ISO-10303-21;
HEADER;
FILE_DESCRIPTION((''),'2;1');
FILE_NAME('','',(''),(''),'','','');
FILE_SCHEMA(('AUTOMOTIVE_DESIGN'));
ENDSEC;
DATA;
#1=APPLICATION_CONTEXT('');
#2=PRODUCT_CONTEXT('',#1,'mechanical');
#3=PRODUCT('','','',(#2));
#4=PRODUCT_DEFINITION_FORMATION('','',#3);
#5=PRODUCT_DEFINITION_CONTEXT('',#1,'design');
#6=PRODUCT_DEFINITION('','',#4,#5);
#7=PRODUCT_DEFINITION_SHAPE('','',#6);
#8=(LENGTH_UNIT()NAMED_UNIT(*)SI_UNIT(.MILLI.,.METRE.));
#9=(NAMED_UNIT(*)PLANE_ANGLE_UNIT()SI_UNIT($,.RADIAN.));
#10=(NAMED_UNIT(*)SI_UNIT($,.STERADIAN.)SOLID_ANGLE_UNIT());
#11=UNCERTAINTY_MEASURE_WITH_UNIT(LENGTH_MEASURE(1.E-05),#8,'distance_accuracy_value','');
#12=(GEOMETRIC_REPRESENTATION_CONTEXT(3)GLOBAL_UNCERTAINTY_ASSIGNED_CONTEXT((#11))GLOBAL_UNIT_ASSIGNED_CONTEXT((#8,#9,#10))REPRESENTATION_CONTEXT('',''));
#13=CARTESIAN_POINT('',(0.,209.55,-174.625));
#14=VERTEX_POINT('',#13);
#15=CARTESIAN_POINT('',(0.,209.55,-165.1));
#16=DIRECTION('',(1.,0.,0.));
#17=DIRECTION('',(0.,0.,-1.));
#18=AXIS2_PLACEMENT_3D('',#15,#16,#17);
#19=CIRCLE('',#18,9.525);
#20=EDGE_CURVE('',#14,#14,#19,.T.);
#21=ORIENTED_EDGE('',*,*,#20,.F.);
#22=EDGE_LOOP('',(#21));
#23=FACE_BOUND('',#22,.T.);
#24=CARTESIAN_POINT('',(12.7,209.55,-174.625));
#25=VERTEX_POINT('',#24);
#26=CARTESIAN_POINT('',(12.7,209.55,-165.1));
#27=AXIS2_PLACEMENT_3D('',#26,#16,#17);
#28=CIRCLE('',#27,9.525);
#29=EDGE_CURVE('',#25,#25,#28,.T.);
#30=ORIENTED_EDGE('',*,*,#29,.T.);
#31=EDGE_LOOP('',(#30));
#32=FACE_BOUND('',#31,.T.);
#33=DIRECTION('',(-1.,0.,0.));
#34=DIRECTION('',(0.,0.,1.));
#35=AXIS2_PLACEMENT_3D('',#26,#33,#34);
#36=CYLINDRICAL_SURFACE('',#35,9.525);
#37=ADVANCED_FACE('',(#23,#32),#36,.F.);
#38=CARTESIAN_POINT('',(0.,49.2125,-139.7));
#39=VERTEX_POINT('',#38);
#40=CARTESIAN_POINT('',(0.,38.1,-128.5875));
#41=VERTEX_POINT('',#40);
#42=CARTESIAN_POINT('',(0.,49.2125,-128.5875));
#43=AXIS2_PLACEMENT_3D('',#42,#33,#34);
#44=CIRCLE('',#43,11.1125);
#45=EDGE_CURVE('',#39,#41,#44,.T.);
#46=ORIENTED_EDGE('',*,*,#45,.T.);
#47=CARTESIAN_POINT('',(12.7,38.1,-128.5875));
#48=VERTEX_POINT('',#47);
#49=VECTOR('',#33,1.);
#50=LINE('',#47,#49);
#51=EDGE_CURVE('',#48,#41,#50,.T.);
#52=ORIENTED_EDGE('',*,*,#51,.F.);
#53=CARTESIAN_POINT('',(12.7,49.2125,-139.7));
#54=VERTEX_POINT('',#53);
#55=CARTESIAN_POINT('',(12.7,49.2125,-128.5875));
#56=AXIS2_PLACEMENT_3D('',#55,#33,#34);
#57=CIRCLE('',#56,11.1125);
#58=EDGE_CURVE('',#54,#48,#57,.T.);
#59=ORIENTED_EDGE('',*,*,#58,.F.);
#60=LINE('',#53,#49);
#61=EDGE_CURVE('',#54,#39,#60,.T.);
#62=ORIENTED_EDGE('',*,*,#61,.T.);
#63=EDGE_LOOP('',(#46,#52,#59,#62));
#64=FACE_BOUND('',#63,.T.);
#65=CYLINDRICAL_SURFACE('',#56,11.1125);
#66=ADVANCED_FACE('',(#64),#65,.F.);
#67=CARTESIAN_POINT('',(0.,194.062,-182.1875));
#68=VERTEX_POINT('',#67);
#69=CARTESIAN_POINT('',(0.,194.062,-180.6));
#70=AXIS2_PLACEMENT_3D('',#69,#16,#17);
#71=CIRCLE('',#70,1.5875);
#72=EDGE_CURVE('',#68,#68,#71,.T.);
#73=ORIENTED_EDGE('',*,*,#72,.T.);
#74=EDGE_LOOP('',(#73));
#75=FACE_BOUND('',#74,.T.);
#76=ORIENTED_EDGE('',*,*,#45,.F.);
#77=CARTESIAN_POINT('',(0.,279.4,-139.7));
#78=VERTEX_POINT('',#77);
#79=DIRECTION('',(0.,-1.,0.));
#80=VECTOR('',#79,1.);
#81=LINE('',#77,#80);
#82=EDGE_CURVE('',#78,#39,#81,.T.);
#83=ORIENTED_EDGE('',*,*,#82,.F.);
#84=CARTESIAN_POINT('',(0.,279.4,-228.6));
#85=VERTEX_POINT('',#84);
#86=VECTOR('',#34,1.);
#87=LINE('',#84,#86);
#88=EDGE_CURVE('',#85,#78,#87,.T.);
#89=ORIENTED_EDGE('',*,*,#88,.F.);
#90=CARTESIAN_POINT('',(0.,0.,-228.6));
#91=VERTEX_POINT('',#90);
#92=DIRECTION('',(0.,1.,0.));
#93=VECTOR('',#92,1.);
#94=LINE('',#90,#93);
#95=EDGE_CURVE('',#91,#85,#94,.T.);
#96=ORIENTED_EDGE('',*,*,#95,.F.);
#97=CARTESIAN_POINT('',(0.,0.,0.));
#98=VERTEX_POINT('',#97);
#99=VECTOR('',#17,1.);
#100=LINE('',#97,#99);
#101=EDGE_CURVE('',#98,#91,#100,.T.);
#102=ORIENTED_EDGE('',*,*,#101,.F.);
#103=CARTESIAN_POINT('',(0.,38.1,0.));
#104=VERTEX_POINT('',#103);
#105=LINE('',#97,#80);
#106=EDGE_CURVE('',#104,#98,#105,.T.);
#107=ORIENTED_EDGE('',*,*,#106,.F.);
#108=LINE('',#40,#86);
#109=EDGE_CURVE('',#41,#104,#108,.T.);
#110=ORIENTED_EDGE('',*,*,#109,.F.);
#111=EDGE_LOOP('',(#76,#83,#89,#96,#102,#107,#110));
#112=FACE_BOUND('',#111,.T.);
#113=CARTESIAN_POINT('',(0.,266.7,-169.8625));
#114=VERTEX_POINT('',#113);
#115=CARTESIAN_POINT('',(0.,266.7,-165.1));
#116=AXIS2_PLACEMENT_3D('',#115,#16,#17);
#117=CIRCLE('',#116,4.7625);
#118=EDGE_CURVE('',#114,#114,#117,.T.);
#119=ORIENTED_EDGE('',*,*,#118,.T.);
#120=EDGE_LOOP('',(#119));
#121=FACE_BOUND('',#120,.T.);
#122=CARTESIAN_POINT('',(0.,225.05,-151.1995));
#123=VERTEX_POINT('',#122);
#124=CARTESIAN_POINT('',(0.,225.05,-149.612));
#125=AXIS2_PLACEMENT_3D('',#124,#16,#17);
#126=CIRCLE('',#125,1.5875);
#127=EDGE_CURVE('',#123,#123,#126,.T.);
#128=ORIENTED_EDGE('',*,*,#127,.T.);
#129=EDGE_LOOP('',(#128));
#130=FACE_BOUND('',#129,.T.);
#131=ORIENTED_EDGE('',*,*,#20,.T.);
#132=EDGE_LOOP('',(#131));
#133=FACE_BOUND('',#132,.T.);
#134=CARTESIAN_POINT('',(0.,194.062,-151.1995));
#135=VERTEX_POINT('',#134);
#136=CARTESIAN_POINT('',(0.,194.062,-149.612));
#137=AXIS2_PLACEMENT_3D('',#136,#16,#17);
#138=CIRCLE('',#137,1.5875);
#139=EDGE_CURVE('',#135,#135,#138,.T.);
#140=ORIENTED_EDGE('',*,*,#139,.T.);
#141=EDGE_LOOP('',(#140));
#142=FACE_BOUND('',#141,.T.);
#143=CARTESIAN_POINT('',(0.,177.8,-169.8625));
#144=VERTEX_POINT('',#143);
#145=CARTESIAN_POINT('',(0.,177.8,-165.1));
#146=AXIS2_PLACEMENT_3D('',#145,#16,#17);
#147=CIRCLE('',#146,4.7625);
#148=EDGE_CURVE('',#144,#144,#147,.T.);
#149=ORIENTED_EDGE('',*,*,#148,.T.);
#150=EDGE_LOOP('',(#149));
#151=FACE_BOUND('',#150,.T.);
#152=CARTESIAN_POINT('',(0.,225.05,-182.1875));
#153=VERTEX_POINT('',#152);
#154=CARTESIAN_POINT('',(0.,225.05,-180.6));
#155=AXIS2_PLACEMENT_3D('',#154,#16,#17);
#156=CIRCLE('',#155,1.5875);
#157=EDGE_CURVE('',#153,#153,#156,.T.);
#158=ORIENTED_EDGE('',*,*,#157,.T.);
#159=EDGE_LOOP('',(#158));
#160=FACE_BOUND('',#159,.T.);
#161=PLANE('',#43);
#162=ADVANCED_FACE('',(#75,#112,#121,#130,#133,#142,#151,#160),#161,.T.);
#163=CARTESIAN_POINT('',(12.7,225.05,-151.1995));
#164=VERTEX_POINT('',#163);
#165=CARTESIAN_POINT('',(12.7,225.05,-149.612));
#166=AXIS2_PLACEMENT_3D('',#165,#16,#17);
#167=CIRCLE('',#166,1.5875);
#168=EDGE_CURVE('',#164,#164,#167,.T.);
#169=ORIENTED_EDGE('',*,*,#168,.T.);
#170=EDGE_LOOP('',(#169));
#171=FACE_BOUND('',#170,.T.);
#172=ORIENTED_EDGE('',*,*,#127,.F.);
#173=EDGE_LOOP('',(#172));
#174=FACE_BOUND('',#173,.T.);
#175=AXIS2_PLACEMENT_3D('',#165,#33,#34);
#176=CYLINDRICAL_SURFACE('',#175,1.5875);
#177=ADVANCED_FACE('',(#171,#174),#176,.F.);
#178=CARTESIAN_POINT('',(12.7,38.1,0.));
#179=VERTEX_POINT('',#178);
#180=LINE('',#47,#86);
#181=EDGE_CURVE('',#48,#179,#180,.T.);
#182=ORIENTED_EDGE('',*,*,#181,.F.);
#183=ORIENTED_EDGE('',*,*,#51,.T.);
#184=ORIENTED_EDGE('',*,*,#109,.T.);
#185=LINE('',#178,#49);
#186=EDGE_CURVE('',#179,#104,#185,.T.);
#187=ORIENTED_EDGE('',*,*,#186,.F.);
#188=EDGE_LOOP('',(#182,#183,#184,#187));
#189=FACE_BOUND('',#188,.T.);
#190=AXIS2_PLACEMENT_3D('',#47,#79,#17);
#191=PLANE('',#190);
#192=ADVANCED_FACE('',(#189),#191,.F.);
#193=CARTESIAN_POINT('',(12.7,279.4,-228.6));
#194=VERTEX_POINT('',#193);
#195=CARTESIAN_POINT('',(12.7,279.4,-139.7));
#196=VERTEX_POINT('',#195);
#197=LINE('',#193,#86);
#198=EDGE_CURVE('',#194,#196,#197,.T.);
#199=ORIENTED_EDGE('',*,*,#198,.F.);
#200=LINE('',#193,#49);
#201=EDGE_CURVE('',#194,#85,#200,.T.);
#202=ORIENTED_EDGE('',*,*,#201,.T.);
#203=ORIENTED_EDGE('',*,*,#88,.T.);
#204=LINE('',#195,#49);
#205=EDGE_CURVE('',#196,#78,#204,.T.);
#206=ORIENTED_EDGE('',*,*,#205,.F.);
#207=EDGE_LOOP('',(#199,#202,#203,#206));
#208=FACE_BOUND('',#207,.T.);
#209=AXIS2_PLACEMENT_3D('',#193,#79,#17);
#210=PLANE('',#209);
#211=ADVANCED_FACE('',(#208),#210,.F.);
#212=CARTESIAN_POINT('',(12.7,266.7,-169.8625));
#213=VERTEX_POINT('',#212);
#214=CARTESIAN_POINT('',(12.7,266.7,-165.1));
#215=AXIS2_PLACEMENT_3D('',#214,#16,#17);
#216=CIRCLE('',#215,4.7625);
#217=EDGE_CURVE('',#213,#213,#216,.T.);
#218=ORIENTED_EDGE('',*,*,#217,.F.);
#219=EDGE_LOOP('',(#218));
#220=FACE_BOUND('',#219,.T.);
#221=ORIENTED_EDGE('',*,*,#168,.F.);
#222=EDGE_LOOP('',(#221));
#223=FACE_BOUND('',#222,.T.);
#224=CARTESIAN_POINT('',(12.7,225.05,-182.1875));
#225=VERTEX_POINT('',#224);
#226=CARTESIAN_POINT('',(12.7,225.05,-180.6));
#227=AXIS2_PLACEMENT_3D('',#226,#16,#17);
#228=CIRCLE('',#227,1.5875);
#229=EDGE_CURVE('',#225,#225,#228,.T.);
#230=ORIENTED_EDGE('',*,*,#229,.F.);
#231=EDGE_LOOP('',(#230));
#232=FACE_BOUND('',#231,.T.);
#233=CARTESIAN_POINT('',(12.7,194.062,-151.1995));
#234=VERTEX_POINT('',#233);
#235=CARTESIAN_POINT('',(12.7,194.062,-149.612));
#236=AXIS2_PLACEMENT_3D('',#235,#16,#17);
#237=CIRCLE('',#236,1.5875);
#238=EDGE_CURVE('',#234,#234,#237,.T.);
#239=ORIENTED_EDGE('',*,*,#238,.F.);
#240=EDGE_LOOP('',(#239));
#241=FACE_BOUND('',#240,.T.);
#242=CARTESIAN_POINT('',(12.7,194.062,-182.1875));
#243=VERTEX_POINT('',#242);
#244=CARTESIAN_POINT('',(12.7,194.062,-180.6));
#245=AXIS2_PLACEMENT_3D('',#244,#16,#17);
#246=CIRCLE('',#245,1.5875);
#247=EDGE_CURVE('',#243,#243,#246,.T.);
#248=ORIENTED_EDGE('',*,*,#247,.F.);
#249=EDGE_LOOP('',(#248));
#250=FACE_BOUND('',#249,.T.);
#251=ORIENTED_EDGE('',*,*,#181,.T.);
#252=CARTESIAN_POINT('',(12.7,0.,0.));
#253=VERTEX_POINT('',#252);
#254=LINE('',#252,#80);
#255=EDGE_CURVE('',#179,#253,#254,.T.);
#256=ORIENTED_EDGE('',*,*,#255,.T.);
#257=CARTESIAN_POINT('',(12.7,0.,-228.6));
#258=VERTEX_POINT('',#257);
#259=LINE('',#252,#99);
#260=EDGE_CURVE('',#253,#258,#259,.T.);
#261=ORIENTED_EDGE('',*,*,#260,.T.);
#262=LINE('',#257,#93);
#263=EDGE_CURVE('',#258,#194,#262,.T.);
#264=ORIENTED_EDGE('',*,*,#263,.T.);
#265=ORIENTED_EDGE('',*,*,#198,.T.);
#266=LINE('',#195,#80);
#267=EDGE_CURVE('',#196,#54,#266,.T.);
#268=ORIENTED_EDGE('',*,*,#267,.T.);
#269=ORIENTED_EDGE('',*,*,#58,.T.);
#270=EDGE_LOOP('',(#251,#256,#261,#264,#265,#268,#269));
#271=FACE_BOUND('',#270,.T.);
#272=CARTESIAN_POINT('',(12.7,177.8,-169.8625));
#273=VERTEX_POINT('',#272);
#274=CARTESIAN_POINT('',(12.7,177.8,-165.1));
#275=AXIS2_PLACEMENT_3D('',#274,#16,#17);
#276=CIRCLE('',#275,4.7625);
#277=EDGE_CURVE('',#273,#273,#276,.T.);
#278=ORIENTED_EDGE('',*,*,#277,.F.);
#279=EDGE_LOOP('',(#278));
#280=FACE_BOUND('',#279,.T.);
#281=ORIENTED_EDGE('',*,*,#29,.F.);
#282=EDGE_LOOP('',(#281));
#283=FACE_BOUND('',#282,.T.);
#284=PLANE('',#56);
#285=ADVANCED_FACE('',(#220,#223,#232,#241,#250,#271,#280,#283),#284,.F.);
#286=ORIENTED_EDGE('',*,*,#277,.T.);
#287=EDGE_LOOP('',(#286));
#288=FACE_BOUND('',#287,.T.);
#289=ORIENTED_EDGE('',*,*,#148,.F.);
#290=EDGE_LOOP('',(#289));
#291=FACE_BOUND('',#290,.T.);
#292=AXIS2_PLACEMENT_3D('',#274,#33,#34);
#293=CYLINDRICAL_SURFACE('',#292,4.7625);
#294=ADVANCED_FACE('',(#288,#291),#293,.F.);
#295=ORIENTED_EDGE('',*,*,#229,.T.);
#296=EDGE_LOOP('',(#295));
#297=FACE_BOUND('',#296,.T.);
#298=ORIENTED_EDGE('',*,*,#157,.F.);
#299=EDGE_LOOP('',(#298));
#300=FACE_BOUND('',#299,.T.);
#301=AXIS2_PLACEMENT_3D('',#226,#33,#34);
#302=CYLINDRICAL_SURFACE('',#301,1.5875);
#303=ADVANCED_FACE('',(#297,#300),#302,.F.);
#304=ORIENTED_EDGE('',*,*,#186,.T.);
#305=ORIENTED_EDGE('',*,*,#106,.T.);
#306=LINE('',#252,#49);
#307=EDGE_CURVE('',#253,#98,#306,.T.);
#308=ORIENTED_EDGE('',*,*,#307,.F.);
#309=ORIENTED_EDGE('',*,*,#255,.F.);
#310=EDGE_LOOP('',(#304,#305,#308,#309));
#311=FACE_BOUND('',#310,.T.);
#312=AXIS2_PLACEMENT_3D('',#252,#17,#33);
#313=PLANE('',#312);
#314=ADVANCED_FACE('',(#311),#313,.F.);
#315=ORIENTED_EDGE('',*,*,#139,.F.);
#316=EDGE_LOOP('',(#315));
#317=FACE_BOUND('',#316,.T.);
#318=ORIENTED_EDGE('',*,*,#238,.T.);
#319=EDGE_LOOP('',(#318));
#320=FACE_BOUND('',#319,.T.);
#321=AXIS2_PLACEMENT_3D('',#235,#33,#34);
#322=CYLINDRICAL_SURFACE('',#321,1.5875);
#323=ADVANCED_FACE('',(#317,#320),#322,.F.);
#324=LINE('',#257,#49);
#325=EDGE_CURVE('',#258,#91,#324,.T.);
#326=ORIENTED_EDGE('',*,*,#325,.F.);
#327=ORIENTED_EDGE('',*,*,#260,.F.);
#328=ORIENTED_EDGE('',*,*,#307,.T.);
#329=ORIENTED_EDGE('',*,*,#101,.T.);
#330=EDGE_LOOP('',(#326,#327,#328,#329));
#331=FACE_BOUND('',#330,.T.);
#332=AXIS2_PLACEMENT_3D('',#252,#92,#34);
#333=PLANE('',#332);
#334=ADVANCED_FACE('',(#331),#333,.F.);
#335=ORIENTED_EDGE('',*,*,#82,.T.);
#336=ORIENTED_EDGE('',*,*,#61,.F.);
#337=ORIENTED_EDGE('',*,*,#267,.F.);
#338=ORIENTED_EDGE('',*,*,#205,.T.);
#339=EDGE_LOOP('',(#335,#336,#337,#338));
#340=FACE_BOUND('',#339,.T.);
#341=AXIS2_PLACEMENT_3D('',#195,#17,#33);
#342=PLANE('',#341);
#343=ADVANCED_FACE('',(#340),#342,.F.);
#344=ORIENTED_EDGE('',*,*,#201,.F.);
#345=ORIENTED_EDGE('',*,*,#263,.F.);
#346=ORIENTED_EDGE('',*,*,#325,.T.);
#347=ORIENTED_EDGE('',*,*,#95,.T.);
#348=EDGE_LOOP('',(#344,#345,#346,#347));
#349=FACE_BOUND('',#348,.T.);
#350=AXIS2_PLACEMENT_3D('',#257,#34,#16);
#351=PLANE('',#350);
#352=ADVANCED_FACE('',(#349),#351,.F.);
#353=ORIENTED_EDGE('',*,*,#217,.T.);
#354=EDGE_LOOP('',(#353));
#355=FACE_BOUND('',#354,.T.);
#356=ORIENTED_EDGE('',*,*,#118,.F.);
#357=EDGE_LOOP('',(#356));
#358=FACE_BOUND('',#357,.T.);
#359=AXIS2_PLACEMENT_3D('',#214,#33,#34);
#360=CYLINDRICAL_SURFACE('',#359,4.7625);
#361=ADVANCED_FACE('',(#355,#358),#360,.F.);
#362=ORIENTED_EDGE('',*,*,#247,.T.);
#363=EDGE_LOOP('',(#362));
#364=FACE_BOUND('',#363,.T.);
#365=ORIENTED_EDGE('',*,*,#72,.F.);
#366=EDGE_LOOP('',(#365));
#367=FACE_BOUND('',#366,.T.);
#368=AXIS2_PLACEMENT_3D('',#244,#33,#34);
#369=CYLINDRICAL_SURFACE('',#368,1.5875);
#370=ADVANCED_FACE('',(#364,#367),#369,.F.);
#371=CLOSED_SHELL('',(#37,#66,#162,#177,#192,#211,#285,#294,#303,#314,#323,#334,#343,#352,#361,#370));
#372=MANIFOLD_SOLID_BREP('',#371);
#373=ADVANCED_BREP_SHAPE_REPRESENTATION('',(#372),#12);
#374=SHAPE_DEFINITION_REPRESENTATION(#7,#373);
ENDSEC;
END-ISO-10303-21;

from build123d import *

# Parameters (mm, degrees)
SKETCH1_R           = 4.7625
SKETCH1_R_2         = 9.525
SKETCH1_R_3         = 1.5875
BOSS_EXTRUDE1_DEPTH = 12.7


with BuildPart() as part:
    # Sketch1 → Boss-Extrude1 (new body)
    with BuildSketch(Plane(origin=(0, 0, 0), x_dir=(0, 0, -1), z_dir=(1, 0, 0))):
        with BuildLine():
            Line((0, 0), (0, 38.1))
            Line((0, 38.1), (128.5875, 38.1))
            ThreePointArc((128.5875, 38.1), (136.445224106, 41.354775894), (139.7, 49.2125))
            Line((139.7, 49.2125), (139.7, 279.4))
            Line((139.7, 279.4), (228.6, 279.4))
            Line((228.6, 279.4), (228.6, 0))
            Line((228.6, 0), (0, 0))
        make_face()
        with Locations((165.1, 266.7)):
            Circle(SKETCH1_R, mode=Mode.SUBTRACT)
        with Locations((165.1, 177.8)):
            Circle(SKETCH1_R, mode=Mode.SUBTRACT)
        with Locations((165.1, 209.55)):
            Circle(SKETCH1_R_2, mode=Mode.SUBTRACT)
        with Locations((180.599999988, 225.049999988)):
            Circle(SKETCH1_R_3, mode=Mode.SUBTRACT)
        with Locations((149.611999988, 225.049999988)):
            Circle(SKETCH1_R_3, mode=Mode.SUBTRACT)
        with Locations((180.599999988, 194.061999988)):
            Circle(SKETCH1_R_3, mode=Mode.SUBTRACT)
        with Locations((149.611999988, 194.061999988)):
            Circle(SKETCH1_R_3, mode=Mode.SUBTRACT)
    extrude(amount=BOSS_EXTRUDE1_DEPTH)


solid = part.part
